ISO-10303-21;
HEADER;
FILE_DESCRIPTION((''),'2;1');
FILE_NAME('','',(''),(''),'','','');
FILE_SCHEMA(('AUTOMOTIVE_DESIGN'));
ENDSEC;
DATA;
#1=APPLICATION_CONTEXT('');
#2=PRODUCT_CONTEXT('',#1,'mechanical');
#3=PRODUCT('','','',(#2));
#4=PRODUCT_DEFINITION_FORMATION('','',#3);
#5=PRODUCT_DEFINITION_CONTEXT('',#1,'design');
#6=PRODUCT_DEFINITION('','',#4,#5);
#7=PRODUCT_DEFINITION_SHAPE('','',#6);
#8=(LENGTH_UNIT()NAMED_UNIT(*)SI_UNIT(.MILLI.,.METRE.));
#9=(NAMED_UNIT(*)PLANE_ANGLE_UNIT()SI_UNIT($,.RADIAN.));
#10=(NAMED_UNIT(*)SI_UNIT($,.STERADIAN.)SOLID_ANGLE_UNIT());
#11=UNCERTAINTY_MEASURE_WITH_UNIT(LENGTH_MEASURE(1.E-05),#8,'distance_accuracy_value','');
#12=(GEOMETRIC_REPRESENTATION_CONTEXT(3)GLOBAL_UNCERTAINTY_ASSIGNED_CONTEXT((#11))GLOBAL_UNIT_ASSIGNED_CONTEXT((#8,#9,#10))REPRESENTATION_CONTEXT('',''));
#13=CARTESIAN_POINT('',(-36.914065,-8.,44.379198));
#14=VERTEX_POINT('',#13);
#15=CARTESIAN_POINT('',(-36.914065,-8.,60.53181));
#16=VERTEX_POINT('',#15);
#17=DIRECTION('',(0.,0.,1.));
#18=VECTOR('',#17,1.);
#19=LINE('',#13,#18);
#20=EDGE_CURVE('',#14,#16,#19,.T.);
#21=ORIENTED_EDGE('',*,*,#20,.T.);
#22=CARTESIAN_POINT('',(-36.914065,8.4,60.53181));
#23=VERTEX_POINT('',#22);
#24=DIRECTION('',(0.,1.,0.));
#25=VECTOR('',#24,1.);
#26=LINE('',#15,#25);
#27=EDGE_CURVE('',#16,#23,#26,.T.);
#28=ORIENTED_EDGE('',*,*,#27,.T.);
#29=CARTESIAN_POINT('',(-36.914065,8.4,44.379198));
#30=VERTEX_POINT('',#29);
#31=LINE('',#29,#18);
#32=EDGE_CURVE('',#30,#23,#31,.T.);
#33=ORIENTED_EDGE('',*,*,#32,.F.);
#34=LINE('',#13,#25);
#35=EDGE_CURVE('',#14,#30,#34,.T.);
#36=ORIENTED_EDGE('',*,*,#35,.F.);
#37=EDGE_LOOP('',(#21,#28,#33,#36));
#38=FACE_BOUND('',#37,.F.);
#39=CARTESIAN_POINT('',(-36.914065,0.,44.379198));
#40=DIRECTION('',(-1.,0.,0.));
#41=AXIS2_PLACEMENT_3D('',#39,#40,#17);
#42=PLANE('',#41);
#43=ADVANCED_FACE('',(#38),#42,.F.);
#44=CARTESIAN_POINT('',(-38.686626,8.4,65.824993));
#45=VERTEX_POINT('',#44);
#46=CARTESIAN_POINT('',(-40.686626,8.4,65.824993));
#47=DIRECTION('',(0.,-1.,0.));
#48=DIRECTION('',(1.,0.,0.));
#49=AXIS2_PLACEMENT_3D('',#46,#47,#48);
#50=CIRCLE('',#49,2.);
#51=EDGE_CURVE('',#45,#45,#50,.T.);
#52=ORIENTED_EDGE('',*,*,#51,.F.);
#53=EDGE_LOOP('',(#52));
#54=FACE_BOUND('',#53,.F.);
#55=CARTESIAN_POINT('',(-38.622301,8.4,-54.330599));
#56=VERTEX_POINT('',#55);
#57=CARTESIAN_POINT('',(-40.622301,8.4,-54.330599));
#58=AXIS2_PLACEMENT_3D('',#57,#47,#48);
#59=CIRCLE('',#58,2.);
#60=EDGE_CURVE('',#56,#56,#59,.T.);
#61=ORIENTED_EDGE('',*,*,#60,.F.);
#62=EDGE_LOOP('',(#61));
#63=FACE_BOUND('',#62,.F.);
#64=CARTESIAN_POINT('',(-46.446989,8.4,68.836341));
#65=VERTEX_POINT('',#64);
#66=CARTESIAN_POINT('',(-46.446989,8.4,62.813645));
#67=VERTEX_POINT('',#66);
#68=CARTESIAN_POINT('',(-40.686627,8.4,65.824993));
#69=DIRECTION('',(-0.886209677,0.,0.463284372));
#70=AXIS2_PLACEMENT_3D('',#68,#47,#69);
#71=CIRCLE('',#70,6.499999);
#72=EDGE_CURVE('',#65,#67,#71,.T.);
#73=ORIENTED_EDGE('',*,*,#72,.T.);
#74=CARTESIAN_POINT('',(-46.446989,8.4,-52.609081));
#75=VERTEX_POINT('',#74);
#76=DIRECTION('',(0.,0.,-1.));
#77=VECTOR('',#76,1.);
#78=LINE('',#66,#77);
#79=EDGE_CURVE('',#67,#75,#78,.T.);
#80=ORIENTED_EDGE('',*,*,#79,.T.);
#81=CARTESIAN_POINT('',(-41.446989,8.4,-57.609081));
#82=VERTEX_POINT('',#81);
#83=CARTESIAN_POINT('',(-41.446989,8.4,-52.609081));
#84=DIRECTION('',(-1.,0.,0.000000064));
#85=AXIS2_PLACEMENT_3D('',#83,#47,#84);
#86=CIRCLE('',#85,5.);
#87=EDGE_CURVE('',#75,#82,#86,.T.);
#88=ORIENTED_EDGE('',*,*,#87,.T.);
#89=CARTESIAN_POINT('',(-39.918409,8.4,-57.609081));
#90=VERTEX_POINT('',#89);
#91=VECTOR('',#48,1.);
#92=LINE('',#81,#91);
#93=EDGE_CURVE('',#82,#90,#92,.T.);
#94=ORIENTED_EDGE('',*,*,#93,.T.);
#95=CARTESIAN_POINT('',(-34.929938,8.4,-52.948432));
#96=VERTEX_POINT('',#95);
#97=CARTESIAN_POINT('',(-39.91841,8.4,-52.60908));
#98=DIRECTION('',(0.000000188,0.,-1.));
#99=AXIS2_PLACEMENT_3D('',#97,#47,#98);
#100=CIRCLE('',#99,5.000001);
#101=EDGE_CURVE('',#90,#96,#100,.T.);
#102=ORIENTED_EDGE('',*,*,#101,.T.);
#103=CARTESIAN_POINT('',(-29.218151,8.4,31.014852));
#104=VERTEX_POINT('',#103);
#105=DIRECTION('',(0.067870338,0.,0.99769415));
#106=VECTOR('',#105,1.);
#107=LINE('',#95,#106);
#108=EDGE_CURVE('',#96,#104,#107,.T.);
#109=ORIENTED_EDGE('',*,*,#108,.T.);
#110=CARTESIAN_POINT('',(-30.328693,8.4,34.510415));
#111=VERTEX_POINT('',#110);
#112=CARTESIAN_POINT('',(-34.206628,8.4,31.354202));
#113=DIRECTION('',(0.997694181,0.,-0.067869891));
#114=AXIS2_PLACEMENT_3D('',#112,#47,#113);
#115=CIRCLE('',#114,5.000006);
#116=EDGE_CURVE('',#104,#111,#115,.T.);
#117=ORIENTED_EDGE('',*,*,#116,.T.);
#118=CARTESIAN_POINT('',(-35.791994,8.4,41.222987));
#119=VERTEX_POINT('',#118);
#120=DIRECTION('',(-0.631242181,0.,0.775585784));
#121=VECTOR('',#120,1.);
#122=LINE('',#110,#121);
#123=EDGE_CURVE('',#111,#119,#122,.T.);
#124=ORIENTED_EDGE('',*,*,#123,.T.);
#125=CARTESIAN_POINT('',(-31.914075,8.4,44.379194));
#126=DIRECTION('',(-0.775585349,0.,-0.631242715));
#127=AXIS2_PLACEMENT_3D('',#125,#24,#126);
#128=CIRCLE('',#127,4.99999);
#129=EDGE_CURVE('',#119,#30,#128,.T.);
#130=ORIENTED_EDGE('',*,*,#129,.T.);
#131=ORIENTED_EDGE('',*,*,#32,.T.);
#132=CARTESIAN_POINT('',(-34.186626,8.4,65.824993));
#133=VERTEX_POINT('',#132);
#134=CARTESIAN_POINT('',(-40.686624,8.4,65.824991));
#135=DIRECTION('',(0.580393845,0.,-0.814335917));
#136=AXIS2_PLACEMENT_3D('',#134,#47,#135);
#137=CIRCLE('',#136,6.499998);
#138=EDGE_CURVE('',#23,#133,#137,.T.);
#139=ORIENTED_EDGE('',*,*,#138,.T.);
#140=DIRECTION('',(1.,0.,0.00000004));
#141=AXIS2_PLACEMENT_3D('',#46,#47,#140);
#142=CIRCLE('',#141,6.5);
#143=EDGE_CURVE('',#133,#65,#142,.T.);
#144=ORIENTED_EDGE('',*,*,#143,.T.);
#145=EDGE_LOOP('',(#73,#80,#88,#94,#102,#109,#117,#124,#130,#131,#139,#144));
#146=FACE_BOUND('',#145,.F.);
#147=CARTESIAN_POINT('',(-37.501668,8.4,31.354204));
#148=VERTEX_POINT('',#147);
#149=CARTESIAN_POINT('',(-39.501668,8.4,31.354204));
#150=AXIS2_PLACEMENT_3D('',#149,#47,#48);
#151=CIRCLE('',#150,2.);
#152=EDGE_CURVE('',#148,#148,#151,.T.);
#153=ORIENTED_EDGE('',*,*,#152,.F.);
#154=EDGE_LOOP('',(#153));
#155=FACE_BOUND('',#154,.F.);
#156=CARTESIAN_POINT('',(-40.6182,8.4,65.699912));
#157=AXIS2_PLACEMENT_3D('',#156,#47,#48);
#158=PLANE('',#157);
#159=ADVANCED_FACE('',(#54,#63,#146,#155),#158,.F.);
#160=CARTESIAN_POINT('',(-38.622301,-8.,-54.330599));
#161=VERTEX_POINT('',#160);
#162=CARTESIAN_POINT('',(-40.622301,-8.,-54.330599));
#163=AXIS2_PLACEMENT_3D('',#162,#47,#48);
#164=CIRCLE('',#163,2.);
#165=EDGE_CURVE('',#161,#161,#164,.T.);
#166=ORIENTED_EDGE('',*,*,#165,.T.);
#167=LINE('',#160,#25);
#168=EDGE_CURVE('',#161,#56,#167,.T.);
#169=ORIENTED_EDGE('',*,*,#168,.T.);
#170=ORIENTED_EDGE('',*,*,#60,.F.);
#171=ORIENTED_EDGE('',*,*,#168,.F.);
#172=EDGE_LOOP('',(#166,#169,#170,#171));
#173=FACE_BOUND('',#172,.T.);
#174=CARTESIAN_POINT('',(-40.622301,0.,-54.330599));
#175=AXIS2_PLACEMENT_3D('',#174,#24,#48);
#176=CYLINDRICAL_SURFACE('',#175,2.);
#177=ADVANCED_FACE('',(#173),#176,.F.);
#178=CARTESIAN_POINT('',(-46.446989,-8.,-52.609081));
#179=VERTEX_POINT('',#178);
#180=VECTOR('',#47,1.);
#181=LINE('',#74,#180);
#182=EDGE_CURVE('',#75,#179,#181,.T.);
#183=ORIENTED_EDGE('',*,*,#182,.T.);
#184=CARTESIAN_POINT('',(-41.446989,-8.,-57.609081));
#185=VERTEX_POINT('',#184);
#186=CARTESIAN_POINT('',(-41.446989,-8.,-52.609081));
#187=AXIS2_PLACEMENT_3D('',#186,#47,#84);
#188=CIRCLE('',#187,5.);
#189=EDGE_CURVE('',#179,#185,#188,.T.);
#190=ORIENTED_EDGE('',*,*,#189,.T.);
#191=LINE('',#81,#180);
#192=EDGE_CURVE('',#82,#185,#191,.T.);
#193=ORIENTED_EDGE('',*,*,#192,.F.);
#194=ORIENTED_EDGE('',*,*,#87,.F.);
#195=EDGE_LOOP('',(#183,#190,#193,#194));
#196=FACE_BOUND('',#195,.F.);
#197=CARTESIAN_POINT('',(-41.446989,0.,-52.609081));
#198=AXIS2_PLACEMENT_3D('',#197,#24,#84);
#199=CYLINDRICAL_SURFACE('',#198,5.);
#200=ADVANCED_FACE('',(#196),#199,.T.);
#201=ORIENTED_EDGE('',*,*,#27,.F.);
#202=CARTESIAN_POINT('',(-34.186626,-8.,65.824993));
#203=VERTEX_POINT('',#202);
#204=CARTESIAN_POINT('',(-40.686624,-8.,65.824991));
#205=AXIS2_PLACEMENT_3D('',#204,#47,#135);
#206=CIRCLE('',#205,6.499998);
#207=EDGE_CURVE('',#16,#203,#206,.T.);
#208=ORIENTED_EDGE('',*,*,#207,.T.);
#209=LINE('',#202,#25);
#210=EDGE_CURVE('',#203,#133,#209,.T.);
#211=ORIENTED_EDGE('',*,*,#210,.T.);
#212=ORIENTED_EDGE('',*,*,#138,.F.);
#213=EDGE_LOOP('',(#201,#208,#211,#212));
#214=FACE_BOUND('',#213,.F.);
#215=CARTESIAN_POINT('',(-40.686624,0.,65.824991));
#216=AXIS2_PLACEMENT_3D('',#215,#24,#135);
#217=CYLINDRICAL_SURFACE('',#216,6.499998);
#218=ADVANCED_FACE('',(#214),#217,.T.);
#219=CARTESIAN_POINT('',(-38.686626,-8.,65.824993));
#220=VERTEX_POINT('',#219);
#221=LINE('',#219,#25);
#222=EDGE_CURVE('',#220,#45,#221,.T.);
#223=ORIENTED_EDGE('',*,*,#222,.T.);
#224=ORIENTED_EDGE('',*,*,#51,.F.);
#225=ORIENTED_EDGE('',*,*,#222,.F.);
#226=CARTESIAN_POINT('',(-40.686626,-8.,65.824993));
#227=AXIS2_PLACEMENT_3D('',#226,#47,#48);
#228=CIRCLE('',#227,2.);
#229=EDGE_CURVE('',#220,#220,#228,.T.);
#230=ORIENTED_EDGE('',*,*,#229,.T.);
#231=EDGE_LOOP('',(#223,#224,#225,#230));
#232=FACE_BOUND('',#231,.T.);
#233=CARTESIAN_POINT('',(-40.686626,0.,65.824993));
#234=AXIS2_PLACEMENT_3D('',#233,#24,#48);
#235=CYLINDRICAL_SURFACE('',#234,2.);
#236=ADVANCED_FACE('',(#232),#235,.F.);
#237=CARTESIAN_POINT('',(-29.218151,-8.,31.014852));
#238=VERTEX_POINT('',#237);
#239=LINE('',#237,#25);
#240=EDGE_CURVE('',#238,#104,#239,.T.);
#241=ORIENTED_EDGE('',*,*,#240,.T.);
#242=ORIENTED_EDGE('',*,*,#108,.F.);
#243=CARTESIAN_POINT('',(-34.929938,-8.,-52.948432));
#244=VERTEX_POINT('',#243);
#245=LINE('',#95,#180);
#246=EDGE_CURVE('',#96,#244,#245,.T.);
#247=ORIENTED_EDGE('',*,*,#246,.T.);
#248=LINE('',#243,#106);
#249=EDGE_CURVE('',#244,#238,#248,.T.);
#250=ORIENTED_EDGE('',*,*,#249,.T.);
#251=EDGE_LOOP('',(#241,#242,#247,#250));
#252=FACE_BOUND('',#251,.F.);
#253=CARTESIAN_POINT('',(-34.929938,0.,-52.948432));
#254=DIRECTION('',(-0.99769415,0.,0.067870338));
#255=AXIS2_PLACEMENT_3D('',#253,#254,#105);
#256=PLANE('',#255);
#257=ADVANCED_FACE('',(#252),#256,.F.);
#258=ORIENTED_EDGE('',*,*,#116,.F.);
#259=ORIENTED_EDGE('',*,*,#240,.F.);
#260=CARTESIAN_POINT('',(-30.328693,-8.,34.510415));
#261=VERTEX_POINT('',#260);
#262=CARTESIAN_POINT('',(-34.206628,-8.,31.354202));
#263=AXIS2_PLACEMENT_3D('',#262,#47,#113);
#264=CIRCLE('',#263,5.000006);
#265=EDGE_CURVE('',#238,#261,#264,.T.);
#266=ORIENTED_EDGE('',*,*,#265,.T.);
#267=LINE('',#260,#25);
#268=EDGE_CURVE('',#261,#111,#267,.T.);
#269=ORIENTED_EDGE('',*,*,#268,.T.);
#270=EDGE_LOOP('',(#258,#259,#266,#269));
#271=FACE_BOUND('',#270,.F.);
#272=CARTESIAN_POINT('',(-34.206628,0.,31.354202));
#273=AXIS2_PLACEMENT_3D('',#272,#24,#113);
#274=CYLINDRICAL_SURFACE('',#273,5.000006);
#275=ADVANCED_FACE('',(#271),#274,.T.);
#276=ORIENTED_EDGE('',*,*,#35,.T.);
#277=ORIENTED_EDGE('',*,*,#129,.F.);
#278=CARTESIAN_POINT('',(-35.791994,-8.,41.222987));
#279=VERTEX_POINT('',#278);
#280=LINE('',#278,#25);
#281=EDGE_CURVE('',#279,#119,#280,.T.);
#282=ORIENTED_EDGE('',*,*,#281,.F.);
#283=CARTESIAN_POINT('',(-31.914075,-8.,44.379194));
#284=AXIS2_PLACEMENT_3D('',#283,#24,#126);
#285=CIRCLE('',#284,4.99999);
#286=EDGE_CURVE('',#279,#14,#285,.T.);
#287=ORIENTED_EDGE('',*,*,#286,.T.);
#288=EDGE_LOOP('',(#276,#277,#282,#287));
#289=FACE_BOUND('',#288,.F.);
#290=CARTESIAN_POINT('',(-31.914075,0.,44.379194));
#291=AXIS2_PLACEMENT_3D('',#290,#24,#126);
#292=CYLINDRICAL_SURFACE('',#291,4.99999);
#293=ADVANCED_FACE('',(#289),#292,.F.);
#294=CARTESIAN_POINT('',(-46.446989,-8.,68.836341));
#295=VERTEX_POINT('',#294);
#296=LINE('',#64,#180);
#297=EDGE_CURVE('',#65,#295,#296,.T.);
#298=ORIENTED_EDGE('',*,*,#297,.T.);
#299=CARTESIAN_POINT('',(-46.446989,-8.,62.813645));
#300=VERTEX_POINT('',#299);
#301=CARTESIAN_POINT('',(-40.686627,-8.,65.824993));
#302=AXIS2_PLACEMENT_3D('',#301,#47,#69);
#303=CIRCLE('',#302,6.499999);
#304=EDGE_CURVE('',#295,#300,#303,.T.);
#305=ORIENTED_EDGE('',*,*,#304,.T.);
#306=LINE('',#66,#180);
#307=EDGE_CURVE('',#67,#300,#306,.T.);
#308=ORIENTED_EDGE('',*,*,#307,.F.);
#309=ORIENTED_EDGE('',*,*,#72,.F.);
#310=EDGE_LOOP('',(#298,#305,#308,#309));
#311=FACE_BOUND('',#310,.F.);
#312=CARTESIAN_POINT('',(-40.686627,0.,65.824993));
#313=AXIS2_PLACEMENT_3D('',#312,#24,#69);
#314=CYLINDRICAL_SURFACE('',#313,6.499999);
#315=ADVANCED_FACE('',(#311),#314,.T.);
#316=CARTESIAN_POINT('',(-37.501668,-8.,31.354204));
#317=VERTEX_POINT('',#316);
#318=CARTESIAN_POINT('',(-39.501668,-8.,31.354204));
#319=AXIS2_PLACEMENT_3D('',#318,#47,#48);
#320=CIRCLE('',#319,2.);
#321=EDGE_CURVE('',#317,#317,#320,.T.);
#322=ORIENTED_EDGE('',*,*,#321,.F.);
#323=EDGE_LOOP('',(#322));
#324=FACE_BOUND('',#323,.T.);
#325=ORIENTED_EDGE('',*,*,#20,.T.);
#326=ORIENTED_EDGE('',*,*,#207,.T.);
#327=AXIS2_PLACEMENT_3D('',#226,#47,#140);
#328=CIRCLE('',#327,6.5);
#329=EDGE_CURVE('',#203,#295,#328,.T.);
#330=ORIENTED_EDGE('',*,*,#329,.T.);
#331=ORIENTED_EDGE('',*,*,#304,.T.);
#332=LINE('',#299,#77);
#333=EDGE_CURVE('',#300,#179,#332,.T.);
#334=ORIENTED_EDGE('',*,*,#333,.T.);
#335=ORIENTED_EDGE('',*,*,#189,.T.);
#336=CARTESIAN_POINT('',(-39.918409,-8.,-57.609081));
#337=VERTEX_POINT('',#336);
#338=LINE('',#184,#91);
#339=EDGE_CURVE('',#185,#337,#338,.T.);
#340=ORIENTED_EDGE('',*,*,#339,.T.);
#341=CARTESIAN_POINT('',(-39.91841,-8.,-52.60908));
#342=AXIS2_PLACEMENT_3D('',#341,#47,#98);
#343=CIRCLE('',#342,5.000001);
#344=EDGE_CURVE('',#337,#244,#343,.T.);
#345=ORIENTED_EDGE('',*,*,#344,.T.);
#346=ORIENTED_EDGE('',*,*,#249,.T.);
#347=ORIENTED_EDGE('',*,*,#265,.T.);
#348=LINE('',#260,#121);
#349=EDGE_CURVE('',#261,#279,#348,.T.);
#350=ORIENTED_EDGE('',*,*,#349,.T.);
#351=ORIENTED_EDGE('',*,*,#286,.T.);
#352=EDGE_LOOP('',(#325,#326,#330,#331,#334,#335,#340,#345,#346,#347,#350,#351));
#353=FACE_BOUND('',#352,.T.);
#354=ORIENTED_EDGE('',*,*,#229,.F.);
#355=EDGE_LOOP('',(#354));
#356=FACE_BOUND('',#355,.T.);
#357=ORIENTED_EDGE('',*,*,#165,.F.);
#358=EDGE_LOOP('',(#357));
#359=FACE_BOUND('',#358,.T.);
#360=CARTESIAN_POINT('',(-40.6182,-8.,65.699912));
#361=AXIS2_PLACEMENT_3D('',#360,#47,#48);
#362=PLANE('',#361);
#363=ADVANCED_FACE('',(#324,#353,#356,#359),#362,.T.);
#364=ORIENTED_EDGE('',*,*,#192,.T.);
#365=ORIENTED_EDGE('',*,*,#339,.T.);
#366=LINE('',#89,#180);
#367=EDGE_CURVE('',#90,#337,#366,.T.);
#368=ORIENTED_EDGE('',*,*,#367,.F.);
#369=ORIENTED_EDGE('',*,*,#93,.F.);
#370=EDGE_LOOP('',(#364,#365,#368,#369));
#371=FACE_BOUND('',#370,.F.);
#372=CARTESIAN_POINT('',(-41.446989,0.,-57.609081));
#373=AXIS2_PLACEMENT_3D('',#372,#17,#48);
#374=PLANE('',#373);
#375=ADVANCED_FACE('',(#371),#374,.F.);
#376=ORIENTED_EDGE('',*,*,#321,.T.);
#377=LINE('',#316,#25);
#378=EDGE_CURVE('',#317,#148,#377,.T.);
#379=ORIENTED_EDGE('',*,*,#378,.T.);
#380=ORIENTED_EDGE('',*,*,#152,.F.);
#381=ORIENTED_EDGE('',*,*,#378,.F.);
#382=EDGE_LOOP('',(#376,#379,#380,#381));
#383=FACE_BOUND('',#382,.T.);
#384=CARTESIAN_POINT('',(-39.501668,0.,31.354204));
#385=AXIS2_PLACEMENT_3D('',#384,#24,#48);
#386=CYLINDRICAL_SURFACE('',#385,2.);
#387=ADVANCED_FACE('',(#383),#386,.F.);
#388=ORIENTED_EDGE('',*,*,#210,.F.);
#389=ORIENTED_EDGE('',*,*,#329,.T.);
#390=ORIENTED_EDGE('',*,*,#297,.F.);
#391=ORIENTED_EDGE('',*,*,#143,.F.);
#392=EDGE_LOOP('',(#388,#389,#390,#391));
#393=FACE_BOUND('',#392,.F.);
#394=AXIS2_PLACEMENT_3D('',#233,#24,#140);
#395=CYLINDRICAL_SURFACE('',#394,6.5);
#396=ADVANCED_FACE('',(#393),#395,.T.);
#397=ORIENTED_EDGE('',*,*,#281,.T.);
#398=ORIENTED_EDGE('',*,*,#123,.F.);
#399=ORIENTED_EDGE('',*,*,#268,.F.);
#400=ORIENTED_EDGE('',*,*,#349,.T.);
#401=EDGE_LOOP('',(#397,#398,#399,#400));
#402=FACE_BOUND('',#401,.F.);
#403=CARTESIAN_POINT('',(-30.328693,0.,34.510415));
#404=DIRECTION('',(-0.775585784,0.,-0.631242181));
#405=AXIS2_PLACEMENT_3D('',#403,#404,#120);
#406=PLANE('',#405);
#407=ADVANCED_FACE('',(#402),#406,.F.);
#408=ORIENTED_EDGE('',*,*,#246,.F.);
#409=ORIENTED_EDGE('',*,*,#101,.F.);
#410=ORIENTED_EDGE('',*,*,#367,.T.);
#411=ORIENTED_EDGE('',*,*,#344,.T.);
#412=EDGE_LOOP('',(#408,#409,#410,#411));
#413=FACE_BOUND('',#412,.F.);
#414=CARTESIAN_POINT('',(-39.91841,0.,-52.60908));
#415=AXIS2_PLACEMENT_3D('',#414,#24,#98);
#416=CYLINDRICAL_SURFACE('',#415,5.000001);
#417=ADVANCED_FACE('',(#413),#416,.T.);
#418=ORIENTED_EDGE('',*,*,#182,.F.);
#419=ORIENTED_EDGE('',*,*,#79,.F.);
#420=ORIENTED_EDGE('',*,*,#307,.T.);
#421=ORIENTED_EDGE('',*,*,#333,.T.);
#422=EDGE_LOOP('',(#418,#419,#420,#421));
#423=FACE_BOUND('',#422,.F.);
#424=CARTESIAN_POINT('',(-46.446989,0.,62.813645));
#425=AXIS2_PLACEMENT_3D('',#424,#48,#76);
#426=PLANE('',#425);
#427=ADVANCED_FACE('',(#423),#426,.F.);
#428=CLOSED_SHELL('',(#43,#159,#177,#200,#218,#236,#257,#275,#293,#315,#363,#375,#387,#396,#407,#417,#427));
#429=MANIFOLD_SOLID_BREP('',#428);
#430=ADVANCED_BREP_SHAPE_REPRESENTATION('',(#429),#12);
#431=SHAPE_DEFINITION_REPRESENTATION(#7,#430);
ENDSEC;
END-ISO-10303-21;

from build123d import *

# Parameters (mm, degrees)
F0_R     = 2
F1_DEPTH = 8.4
F2_DEPTH = 8


with BuildPart() as f1:
    # F0 (on Front) → F1 (new body)
    with BuildSketch(Plane.XZ):
        with BuildLine():
            ThreePointArc((-34.186626, 65.824993), (-39.136201, 72.137376), (-46.446989, 68.836341))
            Line((-46.446989, 68.836341), (-46.446989, 62.813645))
            ThreePointArc((-46.446989, 62.813645), (-42.199746, 59.503564), (-36.914065, 60.53181))
            ThreePointArc((-36.914065, 60.53181), (-34.908579, 62.847716), (-34.186626, 65.824993))
        make_face()
        with Locations((-40.686626, 65.824993)):
            Circle(F0_R, mode=Mode.SUBTRACT)
        with BuildLine():
            Line((-46.446989, 62.813645), (-46.446989, 68.836341))
            ThreePointArc((-46.446989, 68.836341), (-47.186626, 65.824993), (-46.446989, 62.813645))
        make_face()
        with BuildLine():
            ThreePointArc((-36.914065, 60.53181), (-42.199746, 59.503564), (-46.446989, 62.813645))
            Line((-46.446989, 62.813645), (-46.446989, -52.609081))
            ThreePointArc((-46.446989, -52.609081), (-44.982523, -56.144615), (-41.446989, -57.609081))
            Line((-41.446989, -57.609081), (-39.918409, -57.609081))
            ThreePointArc((-39.918409, -57.609081), (-36.504962, -56.262624), (-34.929938, -52.948432))
            Line((-34.929938, -52.948432), (-29.218151, 31.014852))
            ThreePointArc((-29.218151, 31.014852), (-29.441331, 32.868139), (-30.328693, 34.510415))
            Line((-30.328693, 34.510415), (-35.791994, 41.222987))
            ThreePointArc((-35.791994, 41.222987), (-36.625204, 42.704332), (-36.914065, 44.379198))
            Line((-36.914065, 44.379198), (-36.914065, 60.53181))
        make_face()
        with Locations((-40.622301, -54.330599)):
            Circle(F0_R, mode=Mode.SUBTRACT)
        with Locations((-39.501668, 31.354204)):
            Circle(F0_R, mode=Mode.SUBTRACT)
    extrude(amount=-F1_DEPTH)

    # F0 (on Front) → F2 (join)
    with BuildSketch(Plane.XZ):
        with BuildLine():
            ThreePointArc((-34.186626, 65.824993), (-39.136201, 72.137376), (-46.446989, 68.836341))
            Line((-46.446989, 68.836341), (-46.446989, 62.813645))
            ThreePointArc((-46.446989, 62.813645), (-42.199746, 59.503564), (-36.914065, 60.53181))
            ThreePointArc((-36.914065, 60.53181), (-34.908579, 62.847716), (-34.186626, 65.824993))
        make_face()
        with Locations((-40.686626, 65.824993)):
            Circle(F0_R, mode=Mode.SUBTRACT)
        with BuildLine():
            Line((-46.446989, 62.813645), (-46.446989, 68.836341))
            ThreePointArc((-46.446989, 68.836341), (-47.186626, 65.824993), (-46.446989, 62.813645))
        make_face()
        with BuildLine():
            ThreePointArc((-36.914065, 60.53181), (-42.199746, 59.503564), (-46.446989, 62.813645))
            Line((-46.446989, 62.813645), (-46.446989, -52.609081))
            ThreePointArc((-46.446989, -52.609081), (-44.982523, -56.144615), (-41.446989, -57.609081))
            Line((-41.446989, -57.609081), (-39.918409, -57.609081))
            ThreePointArc((-39.918409, -57.609081), (-36.504962, -56.262624), (-34.929938, -52.948432))
            Line((-34.929938, -52.948432), (-29.218151, 31.014852))
            ThreePointArc((-29.218151, 31.014852), (-29.441331, 32.868139), (-30.328693, 34.510415))
            Line((-30.328693, 34.510415), (-35.791994, 41.222987))
            ThreePointArc((-35.791994, 41.222987), (-36.625204, 42.704332), (-36.914065, 44.379198))
            Line((-36.914065, 44.379198), (-36.914065, 60.53181))
        make_face()
        with Locations((-40.622301, -54.330599)):
            Circle(F0_R, mode=Mode.SUBTRACT)
        with Locations((-39.501668, 31.354204)):
            Circle(F0_R, mode=Mode.SUBTRACT)
    extrude(amount=F2_DEPTH)


solid = f1.part
